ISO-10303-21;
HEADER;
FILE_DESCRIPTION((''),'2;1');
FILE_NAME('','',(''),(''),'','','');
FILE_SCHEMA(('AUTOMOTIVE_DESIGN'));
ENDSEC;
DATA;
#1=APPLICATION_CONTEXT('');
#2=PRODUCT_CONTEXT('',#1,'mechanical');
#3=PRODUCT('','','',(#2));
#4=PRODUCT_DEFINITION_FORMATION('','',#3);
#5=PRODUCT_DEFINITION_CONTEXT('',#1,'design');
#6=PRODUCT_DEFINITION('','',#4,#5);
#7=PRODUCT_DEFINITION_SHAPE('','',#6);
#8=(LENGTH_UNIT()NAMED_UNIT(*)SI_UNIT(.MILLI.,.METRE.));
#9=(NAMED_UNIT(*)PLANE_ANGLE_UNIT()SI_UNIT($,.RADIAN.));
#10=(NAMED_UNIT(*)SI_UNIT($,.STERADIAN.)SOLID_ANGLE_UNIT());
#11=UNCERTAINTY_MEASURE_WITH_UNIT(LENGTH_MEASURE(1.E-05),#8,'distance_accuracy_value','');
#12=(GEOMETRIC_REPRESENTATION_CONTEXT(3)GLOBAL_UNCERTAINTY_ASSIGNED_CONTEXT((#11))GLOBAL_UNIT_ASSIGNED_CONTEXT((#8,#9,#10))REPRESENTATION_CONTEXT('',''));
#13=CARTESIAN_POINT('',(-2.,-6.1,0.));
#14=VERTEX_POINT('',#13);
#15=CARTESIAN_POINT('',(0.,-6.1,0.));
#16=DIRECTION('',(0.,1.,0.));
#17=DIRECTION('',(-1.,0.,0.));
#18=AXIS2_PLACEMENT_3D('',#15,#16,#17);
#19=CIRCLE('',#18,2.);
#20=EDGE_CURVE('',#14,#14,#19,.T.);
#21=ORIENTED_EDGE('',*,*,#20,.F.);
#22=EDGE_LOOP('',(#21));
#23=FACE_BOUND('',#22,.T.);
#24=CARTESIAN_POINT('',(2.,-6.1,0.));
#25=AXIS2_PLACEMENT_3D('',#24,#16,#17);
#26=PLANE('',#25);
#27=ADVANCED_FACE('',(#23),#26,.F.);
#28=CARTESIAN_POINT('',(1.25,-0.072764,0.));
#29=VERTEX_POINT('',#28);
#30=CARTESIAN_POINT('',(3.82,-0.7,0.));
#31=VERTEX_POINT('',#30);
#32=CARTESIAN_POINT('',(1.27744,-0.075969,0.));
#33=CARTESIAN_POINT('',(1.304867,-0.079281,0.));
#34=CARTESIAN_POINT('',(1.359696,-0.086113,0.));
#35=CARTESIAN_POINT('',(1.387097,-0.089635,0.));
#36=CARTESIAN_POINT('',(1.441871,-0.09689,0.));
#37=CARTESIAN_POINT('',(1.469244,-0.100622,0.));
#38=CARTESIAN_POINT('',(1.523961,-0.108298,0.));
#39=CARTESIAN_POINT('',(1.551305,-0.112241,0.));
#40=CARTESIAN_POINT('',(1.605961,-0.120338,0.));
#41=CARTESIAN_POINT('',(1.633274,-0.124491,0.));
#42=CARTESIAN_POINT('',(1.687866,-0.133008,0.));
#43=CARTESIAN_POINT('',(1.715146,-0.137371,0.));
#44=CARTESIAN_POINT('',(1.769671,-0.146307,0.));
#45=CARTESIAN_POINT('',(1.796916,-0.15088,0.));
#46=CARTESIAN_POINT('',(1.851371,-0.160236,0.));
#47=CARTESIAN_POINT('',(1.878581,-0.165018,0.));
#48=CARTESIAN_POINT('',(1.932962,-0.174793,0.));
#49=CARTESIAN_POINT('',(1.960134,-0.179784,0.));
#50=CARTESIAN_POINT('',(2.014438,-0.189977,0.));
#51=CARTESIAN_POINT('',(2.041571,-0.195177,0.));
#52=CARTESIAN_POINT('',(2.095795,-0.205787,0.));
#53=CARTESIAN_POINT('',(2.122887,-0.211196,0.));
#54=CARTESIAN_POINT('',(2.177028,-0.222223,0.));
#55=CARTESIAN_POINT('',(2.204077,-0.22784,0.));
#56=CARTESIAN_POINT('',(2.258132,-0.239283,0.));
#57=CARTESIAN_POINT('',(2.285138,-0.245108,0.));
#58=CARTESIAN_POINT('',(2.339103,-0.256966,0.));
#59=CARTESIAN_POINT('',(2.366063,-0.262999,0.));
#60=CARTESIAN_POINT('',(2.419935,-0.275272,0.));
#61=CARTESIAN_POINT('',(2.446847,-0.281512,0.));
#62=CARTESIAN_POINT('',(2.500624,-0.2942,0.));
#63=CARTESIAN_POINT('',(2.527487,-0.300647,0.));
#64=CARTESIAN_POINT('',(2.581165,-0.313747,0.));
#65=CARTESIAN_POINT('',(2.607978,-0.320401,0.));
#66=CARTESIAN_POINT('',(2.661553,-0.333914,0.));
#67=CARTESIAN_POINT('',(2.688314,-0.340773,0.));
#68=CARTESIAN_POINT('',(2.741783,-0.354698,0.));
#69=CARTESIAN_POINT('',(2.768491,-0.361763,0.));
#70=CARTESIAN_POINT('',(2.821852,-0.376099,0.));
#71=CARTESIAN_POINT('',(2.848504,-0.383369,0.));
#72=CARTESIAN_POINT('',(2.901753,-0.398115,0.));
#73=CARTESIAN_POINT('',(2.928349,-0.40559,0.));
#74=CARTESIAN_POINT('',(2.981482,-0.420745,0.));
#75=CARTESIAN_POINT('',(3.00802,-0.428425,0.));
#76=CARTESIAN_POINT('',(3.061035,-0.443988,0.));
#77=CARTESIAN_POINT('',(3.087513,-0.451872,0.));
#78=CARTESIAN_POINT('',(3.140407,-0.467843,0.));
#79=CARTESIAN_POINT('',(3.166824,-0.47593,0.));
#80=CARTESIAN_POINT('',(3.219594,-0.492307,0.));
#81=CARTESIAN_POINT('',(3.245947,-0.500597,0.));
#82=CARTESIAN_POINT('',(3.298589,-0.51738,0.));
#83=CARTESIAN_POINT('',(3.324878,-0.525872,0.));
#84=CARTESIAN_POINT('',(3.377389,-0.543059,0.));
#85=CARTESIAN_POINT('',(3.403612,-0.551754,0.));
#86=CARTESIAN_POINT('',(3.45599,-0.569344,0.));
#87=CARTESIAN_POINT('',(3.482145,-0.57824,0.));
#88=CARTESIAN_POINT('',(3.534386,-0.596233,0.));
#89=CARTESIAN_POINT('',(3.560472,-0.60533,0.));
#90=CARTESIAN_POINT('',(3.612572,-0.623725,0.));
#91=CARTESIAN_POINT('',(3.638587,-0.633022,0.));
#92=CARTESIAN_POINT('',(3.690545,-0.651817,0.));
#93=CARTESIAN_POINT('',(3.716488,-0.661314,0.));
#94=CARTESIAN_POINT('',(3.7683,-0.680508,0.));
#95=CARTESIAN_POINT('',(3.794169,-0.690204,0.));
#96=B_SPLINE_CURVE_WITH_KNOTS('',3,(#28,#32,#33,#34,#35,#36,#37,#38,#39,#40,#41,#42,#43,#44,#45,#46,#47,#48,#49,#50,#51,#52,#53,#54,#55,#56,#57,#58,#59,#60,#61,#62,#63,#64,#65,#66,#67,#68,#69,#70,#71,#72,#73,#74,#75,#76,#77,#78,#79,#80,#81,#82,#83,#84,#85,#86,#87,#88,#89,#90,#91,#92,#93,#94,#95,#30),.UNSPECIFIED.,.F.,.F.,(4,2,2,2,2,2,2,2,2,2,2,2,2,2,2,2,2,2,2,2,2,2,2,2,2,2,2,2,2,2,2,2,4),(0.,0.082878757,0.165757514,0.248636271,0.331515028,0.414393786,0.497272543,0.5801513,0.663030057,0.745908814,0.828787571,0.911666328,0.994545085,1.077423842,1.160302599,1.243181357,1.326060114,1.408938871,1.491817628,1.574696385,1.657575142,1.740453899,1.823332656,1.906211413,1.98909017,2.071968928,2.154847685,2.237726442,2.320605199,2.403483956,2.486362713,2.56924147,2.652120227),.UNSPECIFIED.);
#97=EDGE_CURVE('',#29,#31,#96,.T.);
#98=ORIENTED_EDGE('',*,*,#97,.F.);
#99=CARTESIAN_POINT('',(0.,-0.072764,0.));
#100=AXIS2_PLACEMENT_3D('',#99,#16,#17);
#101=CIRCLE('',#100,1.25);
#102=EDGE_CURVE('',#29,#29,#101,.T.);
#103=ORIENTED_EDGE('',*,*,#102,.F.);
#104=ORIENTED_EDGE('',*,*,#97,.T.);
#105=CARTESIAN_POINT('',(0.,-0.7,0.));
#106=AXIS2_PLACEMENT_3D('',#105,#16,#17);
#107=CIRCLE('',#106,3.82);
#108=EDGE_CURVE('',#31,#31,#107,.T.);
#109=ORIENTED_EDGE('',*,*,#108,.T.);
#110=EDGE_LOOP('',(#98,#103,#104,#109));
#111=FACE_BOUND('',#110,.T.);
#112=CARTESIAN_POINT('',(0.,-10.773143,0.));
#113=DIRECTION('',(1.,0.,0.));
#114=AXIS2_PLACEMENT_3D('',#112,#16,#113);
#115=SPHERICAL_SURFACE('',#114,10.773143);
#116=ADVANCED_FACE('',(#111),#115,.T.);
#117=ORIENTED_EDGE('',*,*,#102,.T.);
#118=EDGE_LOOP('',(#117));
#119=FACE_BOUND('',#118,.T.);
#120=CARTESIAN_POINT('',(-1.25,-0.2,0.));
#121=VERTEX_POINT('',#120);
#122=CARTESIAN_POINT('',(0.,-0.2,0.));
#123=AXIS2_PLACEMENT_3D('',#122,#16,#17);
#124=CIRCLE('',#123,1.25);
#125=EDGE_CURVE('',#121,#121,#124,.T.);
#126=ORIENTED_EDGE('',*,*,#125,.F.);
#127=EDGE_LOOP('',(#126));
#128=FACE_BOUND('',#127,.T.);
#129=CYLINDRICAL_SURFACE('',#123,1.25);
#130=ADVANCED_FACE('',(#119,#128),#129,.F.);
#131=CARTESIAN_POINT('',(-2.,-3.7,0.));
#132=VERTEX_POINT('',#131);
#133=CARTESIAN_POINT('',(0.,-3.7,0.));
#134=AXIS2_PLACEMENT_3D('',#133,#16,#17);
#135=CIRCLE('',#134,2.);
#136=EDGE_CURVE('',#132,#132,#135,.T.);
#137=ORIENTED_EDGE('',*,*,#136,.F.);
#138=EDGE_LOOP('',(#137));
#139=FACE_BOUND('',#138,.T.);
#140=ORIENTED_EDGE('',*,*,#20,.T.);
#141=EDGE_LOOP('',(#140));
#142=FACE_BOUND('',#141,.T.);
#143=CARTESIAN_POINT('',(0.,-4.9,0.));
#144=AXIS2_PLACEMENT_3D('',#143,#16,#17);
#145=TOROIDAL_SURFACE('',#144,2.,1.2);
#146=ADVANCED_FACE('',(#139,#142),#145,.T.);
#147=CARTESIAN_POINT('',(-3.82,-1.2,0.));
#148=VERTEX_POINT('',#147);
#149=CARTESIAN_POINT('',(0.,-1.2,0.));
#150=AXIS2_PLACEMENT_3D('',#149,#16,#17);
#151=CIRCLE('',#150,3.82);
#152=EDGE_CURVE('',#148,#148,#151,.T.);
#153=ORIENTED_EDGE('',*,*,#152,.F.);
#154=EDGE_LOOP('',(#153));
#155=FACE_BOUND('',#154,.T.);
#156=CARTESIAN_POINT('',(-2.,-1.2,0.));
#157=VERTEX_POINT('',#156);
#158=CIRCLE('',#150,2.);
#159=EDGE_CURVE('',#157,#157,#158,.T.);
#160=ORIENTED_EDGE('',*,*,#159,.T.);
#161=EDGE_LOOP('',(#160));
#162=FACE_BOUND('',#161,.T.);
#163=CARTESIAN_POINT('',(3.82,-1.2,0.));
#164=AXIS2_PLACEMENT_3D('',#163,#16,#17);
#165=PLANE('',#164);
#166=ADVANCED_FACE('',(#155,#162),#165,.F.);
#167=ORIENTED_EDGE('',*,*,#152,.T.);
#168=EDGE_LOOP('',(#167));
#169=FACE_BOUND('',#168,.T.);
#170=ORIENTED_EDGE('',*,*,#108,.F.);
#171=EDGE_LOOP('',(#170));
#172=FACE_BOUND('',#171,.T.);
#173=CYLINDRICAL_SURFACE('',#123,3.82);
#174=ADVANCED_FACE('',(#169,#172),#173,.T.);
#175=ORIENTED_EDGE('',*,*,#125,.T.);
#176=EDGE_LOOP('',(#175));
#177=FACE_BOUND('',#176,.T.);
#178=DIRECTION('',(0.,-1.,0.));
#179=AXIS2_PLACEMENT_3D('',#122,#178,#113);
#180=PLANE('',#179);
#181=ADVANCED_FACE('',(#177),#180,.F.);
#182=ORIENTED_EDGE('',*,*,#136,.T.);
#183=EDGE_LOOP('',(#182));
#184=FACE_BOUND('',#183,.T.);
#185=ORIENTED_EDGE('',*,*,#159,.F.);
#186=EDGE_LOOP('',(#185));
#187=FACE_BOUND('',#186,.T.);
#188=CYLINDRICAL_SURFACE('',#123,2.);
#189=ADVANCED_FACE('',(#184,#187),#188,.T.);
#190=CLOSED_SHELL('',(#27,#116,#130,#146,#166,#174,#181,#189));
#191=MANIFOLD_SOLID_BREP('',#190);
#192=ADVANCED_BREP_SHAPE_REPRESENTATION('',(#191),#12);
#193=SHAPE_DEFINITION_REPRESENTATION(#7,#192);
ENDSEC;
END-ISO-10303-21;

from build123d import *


with BuildPart() as part:
    # Эскиз1 → Повернуть1 (revolve)
    with BuildSketch(Plane.XY, mode=Mode.PRIVATE) as revolve_1_sk:
        with BuildLine():
            Line((3.82, -1.2), (2, -1.2))
            Line((2, -1.2), (2, -3.7))
            ThreePointArc((2, -3.7), (3.2, -4.9), (2, -6.1))
            Line((2, -6.1), (0, -6.1))
            Line((0, -6.1), (0, -0.2))
            Line((0, -0.2), (1.25, -0.2))
            Line((1.25, -0.2), (1.25, -0.072764031))
            ThreePointArc((1.25, -0.072764031), (2.554325985, -0.307196852), (3.82, -0.7))
            Line((3.82, -0.7), (3.82, -1.2))
        make_face()
    revolve(revolve_1_sk.sketch.rotate(Axis((0, -0.2, 0), (0, -1, 0)), 180), axis=Axis((0, -0.2, 0), (0, -1, 0)))


solid = part.part
